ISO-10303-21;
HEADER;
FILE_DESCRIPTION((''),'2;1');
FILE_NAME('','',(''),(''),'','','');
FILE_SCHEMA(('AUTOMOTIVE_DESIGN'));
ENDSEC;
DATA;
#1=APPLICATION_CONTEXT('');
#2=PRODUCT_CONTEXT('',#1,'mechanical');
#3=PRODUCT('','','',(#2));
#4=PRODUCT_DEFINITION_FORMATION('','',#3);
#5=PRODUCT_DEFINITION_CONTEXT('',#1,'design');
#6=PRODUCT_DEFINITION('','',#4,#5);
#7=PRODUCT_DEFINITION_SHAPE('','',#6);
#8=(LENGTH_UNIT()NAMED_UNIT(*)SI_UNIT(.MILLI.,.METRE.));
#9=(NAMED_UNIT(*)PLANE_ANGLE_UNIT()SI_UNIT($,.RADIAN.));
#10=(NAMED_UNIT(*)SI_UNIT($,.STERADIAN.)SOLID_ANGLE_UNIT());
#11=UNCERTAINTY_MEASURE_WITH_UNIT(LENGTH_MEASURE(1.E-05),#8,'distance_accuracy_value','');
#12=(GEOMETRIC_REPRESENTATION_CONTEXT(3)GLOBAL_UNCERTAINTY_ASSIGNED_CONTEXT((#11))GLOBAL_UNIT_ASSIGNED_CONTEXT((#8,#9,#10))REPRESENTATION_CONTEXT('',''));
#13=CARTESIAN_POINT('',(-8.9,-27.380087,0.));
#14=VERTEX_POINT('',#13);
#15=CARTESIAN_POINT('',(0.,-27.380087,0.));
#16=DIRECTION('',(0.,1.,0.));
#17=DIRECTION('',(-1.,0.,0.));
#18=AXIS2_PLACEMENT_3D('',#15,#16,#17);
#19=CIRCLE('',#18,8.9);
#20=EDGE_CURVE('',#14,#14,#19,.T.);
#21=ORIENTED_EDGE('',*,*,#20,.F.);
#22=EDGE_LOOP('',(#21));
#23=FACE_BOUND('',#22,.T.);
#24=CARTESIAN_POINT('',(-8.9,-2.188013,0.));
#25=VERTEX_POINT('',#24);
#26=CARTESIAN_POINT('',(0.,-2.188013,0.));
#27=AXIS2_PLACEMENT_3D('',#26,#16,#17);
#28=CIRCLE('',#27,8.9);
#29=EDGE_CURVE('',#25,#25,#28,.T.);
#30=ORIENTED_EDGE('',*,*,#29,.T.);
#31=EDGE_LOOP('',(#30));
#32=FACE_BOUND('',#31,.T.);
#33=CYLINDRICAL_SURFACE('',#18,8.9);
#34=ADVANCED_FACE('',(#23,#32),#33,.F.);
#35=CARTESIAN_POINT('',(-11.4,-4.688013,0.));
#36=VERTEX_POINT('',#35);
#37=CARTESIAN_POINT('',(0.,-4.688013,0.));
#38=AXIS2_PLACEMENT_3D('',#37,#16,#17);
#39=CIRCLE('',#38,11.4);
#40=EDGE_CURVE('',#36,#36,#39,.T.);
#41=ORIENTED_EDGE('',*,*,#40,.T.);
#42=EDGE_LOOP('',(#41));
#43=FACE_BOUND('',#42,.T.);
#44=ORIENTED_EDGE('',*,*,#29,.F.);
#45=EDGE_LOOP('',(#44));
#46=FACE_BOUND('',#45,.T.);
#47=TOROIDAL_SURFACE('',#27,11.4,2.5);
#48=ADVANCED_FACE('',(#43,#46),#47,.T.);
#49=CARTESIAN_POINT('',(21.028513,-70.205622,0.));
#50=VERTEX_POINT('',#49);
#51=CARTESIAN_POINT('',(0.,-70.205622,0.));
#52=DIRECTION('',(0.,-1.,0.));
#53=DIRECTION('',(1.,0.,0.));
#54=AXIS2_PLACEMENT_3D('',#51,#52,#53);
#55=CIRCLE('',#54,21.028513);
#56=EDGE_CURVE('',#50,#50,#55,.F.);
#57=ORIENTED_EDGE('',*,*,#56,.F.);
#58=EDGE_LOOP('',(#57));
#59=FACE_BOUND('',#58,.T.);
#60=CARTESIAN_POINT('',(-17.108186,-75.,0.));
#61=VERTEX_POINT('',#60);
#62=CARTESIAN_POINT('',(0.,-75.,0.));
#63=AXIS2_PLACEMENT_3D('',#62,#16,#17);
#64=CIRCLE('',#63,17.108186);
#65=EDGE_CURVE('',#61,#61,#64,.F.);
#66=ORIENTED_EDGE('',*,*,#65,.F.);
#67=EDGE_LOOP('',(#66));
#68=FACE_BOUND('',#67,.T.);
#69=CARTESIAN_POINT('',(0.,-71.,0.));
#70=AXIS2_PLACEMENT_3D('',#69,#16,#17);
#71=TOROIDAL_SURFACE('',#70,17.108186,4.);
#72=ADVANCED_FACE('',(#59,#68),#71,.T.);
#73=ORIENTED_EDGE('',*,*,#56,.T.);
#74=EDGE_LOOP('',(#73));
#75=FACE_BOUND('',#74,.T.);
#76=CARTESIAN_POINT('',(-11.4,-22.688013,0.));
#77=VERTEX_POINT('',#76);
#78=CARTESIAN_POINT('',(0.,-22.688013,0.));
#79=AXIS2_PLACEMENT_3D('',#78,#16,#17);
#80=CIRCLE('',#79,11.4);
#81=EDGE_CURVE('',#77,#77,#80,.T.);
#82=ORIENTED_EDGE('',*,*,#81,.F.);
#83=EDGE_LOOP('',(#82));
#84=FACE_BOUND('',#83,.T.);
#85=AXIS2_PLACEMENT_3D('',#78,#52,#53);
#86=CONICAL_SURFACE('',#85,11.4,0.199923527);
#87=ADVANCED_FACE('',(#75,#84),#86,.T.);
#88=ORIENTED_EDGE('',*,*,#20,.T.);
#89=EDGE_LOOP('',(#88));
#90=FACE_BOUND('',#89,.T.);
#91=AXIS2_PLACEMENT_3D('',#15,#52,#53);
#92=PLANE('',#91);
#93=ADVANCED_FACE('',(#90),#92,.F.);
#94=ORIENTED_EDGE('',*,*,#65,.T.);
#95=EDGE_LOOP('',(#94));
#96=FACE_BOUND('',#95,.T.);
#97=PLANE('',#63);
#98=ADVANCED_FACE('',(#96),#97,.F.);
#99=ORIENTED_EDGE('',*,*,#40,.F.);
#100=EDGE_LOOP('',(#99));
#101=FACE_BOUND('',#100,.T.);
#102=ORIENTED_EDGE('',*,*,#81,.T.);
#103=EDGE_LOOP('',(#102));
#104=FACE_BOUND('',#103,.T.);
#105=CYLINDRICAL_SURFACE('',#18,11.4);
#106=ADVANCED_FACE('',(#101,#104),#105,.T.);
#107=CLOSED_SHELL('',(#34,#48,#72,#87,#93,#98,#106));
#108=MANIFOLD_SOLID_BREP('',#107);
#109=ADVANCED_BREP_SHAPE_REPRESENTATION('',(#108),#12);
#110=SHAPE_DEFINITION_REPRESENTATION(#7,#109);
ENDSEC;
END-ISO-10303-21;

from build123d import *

# Parameters (mm, degrees)
FILLET1_R = 4


with BuildPart() as part:
    # Sketch1 → Revolve1 (revolve)
    with BuildSketch(Plane.XY, mode=Mode.PRIVATE) as revolve1_sk:
        with BuildLine():
            ThreePointArc((12.609380103, 0), (10.129852422, -0.034707115), (8.9, -2.188012744))
            Line((8.9, -2.188012744), (8.9, -27.380086709))
            Line((8.9, -27.380086709), (0, -27.380086709))
            Line((0, -27.380086709), (0, -75))
            Line((0, -75), (22, -75))
            Line((22, -75), (11.4, -22.688012744))
            Line((11.4, -22.688012744), (11.4, -4.688012744))
            ThreePointArc((11.4, -4.688012744), (13.820746978, -2.81249979), (12.609380103, 0))
        make_face()
    revolve(revolve1_sk.sketch.rotate(Axis((0, -27.380086709, 0), (0, -1, 0)), 180), axis=Axis((0, -27.380086709, 0), (0, -1, 0)))

    # Fillet1
    fillet1_edges = [part.edges().sort_by_distance(p)[0] for p in [
        (22, -75, 0),
    ]]
    fillet(fillet1_edges, radius=FILLET1_R)


solid = part.part
